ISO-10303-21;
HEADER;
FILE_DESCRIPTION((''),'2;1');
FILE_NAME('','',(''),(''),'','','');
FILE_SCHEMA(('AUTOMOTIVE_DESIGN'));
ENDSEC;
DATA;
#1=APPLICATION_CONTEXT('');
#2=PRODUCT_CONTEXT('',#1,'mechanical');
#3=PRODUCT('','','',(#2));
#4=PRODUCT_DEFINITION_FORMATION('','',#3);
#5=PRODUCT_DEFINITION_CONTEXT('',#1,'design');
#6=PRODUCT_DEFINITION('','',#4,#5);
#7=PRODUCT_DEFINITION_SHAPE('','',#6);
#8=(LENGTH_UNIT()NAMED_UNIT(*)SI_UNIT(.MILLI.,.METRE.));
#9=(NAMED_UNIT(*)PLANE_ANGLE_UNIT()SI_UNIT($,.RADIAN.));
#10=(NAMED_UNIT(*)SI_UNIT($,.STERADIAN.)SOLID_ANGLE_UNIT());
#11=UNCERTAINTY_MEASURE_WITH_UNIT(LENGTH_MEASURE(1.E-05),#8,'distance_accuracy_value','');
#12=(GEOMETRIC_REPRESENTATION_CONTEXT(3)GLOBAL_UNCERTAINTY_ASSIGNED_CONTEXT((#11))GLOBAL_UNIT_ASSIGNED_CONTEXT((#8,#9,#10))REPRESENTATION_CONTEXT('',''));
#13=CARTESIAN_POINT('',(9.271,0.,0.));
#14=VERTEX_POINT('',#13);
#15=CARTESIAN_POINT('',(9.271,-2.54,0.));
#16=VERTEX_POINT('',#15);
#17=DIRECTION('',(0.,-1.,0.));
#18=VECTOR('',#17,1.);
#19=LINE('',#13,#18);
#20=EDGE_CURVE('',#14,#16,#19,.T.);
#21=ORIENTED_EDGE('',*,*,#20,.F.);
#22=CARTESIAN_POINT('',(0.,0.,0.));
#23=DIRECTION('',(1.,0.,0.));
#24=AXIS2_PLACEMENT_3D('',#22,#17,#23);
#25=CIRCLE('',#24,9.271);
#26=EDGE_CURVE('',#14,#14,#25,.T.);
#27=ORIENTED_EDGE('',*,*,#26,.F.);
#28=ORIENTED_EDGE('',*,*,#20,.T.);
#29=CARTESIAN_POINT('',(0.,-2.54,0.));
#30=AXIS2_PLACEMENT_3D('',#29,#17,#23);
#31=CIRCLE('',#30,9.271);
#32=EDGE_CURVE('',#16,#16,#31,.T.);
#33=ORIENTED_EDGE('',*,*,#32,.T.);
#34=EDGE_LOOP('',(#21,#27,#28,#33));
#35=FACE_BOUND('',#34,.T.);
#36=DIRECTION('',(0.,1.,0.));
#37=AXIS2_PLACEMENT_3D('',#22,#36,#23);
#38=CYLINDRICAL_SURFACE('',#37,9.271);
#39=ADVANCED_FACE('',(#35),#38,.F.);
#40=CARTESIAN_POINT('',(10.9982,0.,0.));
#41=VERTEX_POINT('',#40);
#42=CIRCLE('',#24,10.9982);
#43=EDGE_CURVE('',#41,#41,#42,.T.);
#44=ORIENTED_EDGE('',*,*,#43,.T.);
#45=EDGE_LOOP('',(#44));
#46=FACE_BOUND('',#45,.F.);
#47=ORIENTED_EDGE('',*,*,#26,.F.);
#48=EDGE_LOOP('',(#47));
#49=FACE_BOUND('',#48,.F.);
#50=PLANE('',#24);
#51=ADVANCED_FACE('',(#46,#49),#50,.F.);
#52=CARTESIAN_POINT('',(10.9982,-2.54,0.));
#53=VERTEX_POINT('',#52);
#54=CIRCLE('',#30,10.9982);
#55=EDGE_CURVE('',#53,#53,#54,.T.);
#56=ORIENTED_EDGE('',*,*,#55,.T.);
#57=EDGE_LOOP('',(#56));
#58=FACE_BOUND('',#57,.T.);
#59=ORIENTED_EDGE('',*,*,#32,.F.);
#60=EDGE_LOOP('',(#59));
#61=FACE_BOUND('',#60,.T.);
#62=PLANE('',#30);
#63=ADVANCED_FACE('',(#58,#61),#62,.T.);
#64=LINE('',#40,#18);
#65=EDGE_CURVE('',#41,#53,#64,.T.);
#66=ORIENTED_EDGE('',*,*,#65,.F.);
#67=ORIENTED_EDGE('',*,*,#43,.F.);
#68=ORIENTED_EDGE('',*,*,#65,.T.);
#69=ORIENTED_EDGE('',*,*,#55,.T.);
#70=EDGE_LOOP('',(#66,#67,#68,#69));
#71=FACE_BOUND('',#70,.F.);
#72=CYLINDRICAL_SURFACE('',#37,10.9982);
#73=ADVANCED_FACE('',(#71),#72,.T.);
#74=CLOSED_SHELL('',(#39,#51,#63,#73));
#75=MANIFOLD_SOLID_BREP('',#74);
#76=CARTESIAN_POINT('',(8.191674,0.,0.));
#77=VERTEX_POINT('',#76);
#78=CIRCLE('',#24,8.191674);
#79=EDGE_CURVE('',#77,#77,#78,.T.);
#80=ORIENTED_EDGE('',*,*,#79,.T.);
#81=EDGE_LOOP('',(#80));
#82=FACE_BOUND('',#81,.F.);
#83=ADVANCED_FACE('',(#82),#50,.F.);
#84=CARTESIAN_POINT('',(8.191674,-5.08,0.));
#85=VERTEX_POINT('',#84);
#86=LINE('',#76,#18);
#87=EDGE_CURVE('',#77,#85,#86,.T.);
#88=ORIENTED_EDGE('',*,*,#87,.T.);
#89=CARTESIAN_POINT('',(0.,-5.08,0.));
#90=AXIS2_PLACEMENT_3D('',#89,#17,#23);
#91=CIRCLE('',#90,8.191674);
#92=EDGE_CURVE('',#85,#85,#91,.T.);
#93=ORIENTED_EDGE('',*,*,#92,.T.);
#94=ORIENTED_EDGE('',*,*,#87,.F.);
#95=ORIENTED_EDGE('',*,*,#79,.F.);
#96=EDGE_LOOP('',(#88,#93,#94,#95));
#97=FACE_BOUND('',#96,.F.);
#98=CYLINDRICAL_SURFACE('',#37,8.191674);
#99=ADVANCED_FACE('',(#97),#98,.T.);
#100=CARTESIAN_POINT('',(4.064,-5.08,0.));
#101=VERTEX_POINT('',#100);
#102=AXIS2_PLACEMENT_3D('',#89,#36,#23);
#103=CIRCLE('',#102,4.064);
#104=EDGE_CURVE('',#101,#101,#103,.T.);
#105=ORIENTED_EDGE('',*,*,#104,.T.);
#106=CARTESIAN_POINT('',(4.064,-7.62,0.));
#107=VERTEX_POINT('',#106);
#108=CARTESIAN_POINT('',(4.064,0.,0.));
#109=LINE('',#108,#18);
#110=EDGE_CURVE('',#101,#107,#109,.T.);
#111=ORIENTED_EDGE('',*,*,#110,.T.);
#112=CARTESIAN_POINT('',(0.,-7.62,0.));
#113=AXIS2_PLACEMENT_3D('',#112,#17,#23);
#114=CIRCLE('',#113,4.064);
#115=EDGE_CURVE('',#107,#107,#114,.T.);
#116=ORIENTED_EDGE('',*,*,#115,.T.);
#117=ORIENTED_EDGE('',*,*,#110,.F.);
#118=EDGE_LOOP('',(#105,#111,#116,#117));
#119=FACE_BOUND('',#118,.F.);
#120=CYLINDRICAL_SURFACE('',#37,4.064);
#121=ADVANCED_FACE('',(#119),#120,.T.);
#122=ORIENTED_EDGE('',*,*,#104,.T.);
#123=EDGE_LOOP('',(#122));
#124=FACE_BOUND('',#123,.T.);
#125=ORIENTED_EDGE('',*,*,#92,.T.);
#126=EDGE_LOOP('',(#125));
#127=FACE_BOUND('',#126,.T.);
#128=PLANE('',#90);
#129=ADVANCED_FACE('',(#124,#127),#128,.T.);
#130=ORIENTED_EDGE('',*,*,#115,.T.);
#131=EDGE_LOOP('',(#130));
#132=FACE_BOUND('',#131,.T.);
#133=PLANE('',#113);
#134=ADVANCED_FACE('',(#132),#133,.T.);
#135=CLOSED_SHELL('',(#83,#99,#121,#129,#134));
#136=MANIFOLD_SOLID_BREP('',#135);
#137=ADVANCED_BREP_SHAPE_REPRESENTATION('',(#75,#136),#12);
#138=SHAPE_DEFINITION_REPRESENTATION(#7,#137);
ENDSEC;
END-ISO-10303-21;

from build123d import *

# Parameters (mm, degrees)
F1_R     = 4.064
F2_DEPTH = 7.62
F3_R     = 8.191674
F4_DEPTH = 5.08
F0_R     = 10.9982
F0_R_2   = 9.271
F5_DEPTH = 2.54


with BuildPart() as f2:
    # F1 (on Front) → F2 (new body)
    with BuildSketch(Plane.XZ):
        Circle(F1_R)
    extrude(amount=F2_DEPTH)

    # F3 (on Front) → F4 (join)
    with BuildSketch(Plane.XZ):
        Circle(F3_R)
    extrude(amount=F4_DEPTH)


with BuildPart() as f5:
    # F0 (on Front) → F5 (new body)
    with BuildSketch(Plane.XZ):
        Circle(F0_R)
        Circle(F0_R_2, mode=Mode.SUBTRACT)
    extrude(amount=F5_DEPTH)


solid = Compound([f2.part, f5.part])
